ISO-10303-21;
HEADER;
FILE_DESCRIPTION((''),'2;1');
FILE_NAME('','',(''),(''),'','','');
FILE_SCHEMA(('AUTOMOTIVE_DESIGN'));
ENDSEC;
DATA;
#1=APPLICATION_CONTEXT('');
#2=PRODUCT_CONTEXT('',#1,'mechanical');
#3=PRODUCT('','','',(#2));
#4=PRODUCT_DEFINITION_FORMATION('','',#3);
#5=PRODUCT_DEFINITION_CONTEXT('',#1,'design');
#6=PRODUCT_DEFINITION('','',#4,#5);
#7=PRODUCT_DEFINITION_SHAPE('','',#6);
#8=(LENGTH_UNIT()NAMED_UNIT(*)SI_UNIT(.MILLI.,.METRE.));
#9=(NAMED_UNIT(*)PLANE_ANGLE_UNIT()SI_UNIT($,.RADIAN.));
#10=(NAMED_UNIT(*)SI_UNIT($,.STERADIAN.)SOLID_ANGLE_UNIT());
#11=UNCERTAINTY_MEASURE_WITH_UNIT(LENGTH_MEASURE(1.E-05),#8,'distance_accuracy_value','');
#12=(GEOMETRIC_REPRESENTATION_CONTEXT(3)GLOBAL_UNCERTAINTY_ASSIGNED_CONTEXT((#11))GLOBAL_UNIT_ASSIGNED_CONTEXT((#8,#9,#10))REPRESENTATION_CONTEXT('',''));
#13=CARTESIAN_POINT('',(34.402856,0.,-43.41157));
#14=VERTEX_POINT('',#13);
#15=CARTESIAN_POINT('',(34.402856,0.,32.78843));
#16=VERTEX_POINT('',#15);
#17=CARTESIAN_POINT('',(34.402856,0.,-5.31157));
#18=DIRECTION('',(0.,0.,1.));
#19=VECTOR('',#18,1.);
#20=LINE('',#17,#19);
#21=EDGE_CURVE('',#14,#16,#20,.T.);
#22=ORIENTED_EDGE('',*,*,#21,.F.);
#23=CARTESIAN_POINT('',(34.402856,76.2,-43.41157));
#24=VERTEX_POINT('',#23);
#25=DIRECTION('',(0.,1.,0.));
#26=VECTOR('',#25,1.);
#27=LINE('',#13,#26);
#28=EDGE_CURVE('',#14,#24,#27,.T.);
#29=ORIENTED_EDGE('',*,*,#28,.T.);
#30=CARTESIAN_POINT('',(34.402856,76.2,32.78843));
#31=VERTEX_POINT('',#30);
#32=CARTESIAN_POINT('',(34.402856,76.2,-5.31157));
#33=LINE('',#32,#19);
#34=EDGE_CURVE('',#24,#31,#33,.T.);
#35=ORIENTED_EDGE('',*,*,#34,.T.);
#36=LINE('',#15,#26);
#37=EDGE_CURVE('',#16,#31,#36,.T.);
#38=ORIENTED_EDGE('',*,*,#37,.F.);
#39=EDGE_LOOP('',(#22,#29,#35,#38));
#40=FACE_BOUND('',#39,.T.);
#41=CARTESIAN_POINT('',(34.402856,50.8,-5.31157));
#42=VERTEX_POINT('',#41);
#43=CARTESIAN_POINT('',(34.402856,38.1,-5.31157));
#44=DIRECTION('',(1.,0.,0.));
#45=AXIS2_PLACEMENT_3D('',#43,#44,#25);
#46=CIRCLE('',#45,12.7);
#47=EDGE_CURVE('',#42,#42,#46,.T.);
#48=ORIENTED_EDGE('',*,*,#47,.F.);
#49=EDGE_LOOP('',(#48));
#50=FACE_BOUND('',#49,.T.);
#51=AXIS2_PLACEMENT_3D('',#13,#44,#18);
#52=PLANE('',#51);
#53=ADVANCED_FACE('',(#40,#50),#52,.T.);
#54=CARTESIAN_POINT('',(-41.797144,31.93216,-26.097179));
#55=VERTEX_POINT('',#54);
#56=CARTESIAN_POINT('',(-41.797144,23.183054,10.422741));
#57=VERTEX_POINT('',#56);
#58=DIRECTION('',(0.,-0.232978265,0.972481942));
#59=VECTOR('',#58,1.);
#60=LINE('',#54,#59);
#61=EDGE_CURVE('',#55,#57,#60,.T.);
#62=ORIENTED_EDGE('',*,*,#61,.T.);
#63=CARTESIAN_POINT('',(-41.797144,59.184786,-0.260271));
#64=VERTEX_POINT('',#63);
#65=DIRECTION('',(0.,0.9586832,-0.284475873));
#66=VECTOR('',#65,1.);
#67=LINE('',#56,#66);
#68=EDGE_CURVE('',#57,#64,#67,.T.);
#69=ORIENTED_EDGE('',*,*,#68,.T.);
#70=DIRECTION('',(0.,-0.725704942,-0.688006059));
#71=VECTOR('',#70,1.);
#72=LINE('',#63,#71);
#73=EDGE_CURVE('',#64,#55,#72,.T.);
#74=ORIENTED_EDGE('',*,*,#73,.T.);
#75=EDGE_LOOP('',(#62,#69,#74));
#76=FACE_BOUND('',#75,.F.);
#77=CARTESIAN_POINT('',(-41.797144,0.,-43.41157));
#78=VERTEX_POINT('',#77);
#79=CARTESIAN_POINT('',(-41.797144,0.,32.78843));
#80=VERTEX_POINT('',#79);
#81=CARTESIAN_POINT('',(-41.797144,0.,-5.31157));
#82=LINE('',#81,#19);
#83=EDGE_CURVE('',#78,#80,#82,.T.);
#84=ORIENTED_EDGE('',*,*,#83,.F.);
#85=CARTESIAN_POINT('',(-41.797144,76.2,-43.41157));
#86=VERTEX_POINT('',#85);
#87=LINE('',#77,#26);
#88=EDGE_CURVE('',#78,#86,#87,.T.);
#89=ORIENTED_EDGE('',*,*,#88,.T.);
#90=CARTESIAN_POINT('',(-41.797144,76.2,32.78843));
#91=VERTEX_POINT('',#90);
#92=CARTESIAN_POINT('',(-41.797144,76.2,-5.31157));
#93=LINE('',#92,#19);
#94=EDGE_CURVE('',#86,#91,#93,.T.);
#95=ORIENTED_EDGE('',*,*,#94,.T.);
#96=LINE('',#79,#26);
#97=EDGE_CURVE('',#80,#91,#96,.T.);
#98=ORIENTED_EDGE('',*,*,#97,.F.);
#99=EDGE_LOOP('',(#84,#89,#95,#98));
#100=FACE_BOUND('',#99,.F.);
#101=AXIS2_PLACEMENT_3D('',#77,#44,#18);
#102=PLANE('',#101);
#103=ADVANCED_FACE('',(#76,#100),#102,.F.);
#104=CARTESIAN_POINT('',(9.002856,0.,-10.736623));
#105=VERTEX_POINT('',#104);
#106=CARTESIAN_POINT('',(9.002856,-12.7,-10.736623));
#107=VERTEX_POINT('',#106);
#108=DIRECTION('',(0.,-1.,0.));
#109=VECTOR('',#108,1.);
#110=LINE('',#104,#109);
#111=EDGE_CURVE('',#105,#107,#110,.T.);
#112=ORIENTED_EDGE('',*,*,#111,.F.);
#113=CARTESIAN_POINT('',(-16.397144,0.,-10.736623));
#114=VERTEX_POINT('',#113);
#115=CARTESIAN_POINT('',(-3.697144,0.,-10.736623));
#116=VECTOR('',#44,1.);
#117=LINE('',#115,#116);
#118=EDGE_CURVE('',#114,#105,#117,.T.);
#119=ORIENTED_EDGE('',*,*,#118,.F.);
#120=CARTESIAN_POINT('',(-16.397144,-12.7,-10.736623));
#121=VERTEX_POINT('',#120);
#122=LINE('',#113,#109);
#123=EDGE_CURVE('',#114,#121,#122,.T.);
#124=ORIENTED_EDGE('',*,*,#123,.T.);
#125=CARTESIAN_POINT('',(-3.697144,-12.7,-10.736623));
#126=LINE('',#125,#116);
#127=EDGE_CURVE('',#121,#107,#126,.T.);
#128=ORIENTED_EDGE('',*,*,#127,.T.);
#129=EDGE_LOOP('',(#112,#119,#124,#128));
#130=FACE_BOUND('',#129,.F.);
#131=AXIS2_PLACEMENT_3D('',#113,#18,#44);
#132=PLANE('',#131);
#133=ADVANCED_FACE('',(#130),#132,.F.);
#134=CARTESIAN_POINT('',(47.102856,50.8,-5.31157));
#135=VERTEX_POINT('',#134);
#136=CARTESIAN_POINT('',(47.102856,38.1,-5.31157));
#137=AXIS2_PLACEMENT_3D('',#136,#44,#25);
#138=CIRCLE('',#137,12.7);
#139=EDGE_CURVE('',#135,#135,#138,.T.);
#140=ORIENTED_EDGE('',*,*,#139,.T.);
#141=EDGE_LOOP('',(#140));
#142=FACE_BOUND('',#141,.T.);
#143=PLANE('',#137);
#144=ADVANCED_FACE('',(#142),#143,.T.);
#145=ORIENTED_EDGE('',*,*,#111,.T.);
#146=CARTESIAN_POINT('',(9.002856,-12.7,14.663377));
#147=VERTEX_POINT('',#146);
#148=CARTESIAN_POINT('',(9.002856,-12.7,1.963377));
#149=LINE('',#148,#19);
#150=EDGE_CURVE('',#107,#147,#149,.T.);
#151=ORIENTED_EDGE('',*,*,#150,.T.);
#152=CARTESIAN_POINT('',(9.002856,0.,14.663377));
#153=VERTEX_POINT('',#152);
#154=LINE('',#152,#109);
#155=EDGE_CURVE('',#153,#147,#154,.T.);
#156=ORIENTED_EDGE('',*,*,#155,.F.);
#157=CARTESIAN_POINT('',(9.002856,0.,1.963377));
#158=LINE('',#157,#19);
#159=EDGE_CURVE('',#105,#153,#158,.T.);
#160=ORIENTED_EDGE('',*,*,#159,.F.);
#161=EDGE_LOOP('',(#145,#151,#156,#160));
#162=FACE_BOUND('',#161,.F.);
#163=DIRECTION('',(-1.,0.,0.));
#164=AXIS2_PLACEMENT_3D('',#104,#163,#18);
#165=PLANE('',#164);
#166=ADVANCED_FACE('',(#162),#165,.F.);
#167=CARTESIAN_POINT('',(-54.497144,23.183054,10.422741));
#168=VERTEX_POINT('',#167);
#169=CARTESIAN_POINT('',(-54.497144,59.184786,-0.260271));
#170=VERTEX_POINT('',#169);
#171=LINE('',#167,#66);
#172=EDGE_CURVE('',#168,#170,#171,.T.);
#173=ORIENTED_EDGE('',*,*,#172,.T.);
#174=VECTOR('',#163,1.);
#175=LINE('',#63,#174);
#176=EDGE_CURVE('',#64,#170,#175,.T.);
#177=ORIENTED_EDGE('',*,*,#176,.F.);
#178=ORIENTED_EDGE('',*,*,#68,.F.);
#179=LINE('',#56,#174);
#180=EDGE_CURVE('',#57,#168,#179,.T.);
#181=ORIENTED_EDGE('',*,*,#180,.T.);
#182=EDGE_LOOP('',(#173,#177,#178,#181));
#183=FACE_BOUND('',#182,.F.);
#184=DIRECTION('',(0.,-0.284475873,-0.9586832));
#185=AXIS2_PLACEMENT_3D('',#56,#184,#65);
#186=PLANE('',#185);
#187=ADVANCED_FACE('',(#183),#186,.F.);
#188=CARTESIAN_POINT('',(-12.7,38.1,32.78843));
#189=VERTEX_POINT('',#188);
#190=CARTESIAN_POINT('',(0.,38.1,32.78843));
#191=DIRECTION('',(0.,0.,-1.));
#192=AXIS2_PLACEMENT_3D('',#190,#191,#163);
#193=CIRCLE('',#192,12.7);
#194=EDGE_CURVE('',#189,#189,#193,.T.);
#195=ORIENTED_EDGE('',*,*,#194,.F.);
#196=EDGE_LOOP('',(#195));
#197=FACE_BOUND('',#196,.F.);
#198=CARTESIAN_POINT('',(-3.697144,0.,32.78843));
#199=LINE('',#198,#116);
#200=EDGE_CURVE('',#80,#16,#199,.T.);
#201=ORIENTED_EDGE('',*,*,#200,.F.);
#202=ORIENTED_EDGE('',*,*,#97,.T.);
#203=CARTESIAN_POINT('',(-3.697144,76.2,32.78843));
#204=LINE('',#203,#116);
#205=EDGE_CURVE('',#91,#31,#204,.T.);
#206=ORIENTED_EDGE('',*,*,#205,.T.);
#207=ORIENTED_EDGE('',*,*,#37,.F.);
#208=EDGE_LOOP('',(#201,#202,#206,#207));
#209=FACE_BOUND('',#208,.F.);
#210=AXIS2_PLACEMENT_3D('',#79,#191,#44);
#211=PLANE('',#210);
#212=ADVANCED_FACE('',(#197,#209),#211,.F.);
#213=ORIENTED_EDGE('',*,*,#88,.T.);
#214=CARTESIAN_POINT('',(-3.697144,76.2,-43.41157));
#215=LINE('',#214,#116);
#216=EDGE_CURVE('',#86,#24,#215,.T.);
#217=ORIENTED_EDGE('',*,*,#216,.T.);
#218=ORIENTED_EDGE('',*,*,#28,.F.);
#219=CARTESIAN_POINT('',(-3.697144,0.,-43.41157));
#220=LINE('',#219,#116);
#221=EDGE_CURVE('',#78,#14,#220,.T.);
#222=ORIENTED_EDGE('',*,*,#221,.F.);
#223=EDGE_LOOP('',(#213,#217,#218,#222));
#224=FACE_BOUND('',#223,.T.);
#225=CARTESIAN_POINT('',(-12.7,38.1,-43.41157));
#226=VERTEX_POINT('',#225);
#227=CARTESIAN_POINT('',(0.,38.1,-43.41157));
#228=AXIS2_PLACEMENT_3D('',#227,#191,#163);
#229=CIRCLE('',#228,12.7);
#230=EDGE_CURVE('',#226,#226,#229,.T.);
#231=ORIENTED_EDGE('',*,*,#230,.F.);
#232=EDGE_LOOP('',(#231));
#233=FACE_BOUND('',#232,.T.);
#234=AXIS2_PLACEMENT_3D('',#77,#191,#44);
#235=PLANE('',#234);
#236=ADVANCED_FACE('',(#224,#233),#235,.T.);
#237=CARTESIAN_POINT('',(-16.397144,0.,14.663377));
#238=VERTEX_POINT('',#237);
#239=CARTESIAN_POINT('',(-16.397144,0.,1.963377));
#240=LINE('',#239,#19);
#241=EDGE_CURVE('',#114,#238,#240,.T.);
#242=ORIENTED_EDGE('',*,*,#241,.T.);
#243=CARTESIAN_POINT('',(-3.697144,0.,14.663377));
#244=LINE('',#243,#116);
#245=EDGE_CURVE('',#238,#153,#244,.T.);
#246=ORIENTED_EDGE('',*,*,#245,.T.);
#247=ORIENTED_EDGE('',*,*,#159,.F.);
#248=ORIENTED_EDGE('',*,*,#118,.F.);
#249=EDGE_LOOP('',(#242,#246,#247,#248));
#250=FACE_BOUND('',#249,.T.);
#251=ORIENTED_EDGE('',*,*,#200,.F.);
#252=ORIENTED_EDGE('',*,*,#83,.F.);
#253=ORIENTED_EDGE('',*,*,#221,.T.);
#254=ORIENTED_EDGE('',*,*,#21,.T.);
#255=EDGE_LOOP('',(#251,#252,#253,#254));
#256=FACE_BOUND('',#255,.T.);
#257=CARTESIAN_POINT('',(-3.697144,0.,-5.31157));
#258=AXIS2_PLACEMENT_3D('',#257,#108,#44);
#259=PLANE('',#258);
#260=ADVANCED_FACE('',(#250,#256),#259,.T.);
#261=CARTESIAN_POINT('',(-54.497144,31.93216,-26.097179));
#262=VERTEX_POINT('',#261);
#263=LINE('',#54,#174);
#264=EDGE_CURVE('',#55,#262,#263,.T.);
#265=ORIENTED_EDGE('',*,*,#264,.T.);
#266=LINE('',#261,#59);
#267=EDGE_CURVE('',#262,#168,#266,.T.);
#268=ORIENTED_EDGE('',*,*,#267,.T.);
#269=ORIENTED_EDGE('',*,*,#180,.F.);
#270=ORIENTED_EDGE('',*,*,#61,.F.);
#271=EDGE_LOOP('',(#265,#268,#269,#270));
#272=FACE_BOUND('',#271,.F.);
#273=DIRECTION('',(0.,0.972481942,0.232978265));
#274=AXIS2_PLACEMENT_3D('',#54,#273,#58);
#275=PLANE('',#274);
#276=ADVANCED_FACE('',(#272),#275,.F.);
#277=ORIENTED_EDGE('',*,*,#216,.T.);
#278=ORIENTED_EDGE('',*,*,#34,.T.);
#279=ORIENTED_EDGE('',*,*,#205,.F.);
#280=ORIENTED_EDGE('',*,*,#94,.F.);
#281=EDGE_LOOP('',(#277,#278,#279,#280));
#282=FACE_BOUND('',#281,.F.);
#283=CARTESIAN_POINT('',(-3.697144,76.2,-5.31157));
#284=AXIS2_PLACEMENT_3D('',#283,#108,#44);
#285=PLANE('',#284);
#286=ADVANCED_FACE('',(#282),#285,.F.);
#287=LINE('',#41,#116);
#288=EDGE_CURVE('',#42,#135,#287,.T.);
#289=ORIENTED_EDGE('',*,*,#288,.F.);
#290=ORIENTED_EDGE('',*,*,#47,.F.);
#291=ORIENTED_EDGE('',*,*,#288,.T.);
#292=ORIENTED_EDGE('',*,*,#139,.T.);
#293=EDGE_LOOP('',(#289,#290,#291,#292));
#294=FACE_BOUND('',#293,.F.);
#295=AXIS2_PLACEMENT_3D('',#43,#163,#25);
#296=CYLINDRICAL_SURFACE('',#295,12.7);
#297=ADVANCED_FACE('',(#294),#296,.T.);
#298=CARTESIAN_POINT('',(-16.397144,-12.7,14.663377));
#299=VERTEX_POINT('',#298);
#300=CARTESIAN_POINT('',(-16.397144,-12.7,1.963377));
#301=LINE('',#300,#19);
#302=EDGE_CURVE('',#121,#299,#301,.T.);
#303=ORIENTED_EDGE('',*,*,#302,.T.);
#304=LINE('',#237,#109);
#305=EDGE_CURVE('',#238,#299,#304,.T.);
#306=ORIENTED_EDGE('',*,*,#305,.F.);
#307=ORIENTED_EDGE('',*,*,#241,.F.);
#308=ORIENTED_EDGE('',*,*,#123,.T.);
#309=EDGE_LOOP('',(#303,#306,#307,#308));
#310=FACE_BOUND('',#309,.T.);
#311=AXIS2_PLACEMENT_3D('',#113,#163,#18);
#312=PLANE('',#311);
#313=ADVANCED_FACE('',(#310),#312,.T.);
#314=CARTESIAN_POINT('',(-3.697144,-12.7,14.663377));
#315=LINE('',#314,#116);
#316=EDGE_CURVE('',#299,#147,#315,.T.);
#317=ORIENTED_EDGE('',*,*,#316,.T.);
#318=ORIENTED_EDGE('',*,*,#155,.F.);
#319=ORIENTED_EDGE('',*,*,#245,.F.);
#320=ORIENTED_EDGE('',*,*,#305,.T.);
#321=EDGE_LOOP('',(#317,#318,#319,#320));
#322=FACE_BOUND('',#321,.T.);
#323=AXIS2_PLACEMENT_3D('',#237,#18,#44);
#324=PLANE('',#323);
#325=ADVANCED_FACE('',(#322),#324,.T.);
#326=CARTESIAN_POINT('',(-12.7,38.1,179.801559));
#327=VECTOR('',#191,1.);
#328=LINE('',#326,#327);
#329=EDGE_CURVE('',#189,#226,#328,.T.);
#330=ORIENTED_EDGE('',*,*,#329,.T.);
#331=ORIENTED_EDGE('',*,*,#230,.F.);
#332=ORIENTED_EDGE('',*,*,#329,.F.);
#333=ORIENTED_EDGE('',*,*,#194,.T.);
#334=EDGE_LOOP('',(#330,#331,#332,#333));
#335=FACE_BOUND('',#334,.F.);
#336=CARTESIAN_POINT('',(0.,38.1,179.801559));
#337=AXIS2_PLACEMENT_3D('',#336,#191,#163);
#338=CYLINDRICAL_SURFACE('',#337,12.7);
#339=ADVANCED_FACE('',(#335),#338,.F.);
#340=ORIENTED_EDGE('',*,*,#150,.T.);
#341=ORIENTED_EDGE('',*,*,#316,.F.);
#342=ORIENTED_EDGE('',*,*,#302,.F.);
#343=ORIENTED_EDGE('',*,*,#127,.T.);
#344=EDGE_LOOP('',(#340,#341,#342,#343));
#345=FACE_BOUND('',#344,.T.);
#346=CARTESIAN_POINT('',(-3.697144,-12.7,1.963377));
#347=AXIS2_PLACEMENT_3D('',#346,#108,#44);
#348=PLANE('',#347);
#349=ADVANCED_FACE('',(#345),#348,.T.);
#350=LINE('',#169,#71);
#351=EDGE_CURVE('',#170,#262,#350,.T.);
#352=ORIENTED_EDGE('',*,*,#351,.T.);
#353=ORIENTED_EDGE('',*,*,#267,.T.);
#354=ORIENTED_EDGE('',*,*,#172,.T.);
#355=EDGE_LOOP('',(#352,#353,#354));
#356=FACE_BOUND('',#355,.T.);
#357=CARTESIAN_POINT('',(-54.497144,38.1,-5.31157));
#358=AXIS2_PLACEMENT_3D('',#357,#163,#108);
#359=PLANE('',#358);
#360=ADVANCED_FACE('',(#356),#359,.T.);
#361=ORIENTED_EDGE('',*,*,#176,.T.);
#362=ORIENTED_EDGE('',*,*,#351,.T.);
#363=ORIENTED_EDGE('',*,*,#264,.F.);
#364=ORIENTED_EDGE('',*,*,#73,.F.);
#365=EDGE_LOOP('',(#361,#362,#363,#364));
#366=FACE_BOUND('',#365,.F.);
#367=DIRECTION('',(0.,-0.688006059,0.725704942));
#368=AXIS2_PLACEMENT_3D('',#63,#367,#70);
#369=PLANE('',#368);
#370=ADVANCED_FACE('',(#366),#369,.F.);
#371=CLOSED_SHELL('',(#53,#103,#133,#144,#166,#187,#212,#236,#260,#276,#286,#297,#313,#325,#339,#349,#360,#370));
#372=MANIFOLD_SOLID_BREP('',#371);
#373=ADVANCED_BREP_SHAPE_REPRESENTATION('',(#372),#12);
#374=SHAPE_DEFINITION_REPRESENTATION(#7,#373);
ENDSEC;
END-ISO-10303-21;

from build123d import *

# Parameters (mm, degrees)
F0_W     = 76.2
F0_H     = 76.2
F1_DEPTH = 76.2
F2_W     = 25.4
F2_H     = 25.4
F3_DEPTH = 12.7
F4_R     = 12.7
F5_DEPTH = 12.7
F7_D     = 25.4
F9_DEPTH = 12.7


with BuildPart() as f1:
    # F0 (on Front) → F1 (new body)
    with BuildSketch(Plane.XZ):
        with Locations((-3.697144, -5.31157)):
            Rectangle(F0_W, F0_H)
    extrude(amount=-F1_DEPTH)

    # F2 (on face) → F3 (join)
    with BuildSketch(Plane.XZ):
        with Locations((-3.697144, 1.963377)):
            Rectangle(F2_W, F2_H)
    extrude(amount=F3_DEPTH)

    # F4 (on face) → F5 (join)
    with BuildSketch(Plane.YZ.offset(34.402856)):
        with Locations((38.1, -5.31157)):
            Circle(F4_R)
    extrude(amount=F5_DEPTH)

    # F7 (through all)
    with Locations(Plane.XY.offset(32.78843)):
        with Locations((0, 38.1)):
            Hole(F7_D / 2)

    # F8 (on face) → F9 (join)
    with BuildSketch(Plane(origin=(-41.797144, 0, 0), x_dir=(0, -1, 0), z_dir=(-1, 0, 0))):
        Polygon((-59.184786, -0.260271), (-31.93216, -26.097179), (-23.183054, 10.422741), align=None)
    extrude(amount=F9_DEPTH)


solid = f1.part
